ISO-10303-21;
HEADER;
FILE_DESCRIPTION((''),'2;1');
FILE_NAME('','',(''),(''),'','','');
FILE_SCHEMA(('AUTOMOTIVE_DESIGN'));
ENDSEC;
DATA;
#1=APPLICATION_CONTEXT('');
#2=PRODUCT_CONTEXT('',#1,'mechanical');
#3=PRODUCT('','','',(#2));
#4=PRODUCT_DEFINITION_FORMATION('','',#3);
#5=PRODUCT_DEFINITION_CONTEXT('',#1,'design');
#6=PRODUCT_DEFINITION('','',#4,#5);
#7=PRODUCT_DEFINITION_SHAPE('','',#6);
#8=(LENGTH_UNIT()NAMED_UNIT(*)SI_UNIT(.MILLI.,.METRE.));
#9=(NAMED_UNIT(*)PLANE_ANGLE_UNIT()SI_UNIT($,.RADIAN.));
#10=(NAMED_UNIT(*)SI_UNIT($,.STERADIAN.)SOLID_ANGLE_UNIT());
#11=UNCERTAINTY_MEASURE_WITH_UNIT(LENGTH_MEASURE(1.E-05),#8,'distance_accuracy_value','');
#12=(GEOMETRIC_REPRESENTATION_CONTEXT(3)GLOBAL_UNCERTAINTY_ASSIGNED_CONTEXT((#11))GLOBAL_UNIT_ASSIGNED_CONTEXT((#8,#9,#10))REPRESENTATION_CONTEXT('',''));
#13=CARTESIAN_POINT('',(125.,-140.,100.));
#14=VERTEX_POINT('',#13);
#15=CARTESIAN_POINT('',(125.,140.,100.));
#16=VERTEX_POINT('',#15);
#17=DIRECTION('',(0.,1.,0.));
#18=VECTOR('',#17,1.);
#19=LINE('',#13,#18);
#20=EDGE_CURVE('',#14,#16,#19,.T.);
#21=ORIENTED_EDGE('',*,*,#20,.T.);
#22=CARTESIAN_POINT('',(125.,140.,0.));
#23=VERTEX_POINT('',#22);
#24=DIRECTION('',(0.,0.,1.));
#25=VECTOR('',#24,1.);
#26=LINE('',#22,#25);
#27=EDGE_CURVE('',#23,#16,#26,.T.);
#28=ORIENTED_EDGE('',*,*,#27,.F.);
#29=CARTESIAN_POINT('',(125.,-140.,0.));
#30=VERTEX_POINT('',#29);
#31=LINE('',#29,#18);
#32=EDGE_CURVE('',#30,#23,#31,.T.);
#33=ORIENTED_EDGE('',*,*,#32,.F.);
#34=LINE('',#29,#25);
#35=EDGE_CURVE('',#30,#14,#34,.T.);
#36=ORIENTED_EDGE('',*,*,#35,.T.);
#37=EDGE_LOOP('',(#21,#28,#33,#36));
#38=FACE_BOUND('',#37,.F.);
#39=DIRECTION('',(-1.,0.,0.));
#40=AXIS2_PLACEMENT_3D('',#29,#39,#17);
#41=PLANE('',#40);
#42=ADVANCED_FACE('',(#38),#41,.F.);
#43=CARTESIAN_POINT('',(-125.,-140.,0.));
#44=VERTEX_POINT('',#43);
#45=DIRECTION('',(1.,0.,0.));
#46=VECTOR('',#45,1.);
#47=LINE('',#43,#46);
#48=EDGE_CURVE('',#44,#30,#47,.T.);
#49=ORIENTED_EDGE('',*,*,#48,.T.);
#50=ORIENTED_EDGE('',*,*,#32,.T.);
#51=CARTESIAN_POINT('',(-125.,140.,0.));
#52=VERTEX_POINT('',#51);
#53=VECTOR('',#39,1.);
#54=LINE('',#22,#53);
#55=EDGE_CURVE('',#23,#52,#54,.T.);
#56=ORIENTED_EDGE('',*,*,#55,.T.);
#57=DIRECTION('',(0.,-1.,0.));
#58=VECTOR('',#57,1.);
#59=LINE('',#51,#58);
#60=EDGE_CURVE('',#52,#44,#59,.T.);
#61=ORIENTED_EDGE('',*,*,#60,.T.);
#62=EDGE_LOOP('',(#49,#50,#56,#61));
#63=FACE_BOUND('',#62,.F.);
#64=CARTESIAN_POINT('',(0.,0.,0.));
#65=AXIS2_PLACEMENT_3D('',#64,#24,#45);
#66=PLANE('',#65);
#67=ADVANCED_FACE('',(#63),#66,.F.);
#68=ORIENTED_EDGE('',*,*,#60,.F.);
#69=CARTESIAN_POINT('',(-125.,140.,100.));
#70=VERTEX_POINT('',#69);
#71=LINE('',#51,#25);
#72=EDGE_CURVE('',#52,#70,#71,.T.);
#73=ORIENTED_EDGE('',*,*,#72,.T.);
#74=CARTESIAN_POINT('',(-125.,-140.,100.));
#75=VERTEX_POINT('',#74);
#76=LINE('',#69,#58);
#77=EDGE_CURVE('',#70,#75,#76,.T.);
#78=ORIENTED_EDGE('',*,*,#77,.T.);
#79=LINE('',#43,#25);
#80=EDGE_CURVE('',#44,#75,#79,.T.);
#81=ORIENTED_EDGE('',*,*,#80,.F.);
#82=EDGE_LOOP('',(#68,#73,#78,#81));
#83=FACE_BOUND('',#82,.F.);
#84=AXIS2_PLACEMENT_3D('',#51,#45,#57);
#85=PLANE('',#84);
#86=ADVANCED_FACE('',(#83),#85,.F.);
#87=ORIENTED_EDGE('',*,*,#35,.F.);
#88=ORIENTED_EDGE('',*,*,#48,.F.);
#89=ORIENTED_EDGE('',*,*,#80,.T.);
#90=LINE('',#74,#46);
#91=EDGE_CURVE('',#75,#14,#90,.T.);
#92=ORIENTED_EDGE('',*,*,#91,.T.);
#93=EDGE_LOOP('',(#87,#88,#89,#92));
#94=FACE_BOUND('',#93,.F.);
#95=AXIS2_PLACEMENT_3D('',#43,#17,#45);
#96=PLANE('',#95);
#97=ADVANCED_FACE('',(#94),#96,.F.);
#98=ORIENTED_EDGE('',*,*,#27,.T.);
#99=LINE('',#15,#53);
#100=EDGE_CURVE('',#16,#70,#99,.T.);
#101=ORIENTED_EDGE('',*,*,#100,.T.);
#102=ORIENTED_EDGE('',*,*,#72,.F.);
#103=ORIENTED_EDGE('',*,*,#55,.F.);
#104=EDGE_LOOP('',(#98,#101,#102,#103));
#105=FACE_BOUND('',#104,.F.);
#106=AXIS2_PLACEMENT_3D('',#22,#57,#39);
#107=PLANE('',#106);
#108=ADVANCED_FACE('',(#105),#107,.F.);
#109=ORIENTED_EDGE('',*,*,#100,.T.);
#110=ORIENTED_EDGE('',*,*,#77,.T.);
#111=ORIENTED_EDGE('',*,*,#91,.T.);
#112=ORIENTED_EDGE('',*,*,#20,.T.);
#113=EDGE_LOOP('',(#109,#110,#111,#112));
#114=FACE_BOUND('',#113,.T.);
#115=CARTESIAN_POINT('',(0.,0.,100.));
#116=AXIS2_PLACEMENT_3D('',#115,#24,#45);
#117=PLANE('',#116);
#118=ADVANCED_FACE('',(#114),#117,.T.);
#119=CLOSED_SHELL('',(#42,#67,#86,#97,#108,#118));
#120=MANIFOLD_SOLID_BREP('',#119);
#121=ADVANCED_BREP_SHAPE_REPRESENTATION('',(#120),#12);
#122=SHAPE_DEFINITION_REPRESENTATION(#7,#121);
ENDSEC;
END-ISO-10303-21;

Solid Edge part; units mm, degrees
sketch "Sketch1" plane through (0, 0, 0) normal (0, 0, 1) x (1, 0, 0)
  line L0 (-125, -140) -> (125, -140)
  line L1 (125, -140) -> (125, 140)
  line L2 (125, 140) -> (-125, 140)
  line L3 (-125, 140) -> (-125, -140)
extrude "Protrusion1" add sketch "Sketch1" along normal blind 100
